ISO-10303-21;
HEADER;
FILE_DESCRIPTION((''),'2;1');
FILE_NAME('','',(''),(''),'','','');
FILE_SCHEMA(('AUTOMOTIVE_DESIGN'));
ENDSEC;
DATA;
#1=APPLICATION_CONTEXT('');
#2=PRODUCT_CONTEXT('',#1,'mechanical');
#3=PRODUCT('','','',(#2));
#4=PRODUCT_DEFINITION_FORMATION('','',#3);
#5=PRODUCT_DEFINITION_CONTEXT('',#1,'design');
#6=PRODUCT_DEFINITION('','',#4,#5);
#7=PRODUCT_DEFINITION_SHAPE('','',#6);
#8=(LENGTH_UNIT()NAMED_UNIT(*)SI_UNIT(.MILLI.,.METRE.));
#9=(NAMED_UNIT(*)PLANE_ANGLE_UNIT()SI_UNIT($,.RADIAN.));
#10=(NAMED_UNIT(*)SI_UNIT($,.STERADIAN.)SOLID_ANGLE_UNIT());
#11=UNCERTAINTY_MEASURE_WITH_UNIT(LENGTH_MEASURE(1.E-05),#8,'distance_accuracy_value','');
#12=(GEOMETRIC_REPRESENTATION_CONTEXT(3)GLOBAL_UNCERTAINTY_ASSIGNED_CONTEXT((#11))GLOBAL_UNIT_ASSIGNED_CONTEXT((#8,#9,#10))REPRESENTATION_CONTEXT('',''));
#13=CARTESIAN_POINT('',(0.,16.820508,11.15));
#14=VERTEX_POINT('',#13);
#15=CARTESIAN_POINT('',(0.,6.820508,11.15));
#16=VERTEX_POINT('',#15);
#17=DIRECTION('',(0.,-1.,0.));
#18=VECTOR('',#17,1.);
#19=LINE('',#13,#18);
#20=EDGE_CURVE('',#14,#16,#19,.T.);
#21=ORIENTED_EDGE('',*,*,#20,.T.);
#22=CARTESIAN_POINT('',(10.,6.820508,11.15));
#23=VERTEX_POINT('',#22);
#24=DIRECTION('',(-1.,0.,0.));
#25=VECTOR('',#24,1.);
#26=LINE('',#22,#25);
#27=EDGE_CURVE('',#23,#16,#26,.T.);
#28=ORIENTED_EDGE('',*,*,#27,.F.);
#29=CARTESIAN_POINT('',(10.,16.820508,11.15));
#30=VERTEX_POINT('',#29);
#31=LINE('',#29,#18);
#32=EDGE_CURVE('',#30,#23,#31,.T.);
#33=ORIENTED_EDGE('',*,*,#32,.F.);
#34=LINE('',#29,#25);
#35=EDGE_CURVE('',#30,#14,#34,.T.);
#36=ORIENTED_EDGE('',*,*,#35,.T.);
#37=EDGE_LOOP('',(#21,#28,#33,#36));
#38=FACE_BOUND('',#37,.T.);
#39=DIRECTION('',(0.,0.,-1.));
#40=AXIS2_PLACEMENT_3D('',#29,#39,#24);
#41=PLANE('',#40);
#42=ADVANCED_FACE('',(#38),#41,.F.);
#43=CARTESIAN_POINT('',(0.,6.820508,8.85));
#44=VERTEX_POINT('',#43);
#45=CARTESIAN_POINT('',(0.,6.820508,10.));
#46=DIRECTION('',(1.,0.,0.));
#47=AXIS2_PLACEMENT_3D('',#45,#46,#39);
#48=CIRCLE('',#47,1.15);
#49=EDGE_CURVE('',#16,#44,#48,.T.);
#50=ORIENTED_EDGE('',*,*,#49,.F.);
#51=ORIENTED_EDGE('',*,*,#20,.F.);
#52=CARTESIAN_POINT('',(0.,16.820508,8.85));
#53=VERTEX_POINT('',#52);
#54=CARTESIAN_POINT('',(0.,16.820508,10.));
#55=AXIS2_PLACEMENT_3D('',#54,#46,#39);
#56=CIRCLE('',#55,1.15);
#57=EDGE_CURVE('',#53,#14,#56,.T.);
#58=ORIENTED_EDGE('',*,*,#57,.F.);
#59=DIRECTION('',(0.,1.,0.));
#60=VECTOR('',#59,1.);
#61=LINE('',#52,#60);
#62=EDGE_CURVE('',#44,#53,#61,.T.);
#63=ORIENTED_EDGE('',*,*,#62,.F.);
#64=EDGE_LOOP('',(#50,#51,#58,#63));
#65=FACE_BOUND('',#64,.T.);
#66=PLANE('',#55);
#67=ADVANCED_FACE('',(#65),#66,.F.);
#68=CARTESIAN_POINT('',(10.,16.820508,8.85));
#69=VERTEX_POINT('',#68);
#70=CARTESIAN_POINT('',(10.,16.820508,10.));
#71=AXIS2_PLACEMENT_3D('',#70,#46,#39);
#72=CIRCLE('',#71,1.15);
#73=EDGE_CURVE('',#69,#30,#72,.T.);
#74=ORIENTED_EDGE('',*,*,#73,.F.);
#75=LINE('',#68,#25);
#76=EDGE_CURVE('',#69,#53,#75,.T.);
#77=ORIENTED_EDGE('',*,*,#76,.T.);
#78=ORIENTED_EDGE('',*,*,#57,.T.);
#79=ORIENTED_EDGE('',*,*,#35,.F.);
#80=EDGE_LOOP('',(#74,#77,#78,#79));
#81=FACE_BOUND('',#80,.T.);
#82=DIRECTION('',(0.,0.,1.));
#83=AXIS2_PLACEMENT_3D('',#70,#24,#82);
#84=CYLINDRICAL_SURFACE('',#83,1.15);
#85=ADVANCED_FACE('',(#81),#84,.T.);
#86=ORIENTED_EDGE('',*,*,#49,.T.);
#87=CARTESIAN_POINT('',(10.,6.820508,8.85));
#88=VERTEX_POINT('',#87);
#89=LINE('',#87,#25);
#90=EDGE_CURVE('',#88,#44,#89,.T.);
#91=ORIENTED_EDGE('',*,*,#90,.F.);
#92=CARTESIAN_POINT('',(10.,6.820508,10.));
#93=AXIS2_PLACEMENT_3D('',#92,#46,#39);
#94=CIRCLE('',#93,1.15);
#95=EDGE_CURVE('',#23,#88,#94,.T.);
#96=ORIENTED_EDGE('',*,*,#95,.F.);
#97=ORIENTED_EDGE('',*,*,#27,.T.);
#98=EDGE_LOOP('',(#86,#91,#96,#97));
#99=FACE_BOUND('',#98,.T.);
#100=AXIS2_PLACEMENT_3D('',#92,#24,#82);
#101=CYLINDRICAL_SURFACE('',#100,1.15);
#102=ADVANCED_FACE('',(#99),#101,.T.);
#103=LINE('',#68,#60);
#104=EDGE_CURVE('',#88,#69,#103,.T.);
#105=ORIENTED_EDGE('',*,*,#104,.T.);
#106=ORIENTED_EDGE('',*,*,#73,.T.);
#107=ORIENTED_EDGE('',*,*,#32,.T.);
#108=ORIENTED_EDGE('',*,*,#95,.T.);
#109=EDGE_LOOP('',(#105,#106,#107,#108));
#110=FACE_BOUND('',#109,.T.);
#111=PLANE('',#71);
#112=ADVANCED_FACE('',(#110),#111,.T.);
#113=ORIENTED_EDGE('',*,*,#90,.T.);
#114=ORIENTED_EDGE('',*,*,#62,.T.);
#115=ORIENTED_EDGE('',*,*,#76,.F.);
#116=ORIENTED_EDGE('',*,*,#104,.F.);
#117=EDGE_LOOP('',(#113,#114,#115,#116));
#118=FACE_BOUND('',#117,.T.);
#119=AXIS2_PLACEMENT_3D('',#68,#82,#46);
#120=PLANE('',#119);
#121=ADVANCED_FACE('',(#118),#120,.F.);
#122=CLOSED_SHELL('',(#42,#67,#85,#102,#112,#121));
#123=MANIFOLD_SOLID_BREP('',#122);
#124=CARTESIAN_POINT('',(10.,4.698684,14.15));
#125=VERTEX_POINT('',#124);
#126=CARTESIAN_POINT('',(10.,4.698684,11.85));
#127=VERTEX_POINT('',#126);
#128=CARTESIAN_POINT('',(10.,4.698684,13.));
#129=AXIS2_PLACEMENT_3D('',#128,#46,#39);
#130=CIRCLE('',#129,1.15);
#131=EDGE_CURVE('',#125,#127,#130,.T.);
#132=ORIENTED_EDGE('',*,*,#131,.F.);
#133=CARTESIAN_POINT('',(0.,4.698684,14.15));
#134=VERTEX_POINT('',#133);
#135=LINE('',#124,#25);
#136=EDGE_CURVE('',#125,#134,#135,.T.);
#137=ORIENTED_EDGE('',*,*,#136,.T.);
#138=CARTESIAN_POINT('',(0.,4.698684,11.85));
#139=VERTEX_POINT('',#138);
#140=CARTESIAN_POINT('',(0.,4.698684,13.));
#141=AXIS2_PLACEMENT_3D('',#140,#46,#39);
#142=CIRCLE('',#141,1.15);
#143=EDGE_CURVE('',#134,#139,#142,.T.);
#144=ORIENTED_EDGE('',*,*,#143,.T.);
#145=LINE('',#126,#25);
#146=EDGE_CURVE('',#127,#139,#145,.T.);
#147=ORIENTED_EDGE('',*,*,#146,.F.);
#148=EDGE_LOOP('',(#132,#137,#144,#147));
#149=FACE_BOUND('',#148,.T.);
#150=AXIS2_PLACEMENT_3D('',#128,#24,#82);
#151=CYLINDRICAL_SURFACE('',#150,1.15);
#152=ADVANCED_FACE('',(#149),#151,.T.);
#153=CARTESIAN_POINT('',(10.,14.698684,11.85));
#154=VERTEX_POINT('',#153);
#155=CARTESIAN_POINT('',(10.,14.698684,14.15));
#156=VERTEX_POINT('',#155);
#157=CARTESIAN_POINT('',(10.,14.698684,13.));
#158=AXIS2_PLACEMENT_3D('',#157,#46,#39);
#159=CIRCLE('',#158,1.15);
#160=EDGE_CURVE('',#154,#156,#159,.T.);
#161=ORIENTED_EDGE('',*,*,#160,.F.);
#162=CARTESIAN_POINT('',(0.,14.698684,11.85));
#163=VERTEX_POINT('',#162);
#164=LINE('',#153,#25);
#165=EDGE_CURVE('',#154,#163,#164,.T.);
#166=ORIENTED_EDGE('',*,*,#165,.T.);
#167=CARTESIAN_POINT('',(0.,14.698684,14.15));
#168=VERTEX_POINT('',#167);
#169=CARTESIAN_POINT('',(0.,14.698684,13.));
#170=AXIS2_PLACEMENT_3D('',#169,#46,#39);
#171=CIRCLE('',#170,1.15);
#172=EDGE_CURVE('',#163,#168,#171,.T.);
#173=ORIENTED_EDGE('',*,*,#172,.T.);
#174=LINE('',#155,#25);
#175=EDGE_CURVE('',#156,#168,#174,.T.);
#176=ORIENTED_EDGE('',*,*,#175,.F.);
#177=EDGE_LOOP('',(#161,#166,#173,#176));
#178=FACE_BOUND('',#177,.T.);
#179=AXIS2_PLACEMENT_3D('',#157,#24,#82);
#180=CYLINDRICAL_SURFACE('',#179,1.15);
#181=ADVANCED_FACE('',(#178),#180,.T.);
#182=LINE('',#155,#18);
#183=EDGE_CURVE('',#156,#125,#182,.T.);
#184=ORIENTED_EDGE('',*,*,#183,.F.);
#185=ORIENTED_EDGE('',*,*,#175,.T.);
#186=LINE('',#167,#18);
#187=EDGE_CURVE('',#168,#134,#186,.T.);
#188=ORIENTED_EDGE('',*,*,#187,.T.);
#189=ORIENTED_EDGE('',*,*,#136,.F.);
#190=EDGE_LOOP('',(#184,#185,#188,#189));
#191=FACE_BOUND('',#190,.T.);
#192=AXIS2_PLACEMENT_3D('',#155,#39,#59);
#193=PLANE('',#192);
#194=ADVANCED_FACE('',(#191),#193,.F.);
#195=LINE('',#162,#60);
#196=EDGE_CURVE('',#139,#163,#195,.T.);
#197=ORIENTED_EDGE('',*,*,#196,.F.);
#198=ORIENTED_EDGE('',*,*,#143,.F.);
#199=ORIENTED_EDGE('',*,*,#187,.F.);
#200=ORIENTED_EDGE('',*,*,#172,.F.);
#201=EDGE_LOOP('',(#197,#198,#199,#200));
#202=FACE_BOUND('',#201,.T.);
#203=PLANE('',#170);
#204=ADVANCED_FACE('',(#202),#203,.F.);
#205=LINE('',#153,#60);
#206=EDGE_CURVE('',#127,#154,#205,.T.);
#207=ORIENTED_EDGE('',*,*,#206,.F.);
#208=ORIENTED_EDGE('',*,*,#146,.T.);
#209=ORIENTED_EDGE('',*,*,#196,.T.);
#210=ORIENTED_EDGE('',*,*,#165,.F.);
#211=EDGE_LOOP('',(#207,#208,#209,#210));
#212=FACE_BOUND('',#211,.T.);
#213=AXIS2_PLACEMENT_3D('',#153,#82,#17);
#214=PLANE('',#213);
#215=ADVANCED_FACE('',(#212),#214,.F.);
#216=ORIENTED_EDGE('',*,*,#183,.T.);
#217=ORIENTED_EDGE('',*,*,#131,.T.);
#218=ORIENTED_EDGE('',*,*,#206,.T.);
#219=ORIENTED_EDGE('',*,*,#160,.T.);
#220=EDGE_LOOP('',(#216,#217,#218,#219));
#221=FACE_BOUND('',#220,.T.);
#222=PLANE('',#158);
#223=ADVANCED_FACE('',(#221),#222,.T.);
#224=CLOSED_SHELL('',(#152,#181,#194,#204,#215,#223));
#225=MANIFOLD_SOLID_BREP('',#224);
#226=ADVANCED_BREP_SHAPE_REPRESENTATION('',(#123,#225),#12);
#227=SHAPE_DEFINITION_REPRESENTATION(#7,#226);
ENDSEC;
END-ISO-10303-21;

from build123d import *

# Parameters (mm, degrees)
EXTRUDE_1_DEPTH   = 10
EXTRUDE_1_2_DEPTH = 10


with BuildPart() as part:
    # 草图1 → 凸台-拉伸1 (new body)
    with BuildSketch(Plane(origin=(0, 0, 0), x_dir=(0, 0, -1), z_dir=(1, 0, 0))):
        with BuildLine():
            Line((-8.85, 16.820508076), (-8.85, 6.820508076))
            ThreePointArc((-8.85, 6.820508076), (-10, 5.670508076), (-11.15, 6.820508076))
            Line((-11.15, 6.820508076), (-11.15, 16.820508076))
            ThreePointArc((-11.15, 16.820508076), (-10, 17.970508076), (-8.85, 16.820508076))
        make_face()
    extrude(amount=EXTRUDE_1_DEPTH)


with BuildPart() as body_2:
    # 草图1 → Extrude 1 2 (new body)
    with BuildSketch(Plane(origin=(0, 0, 0), x_dir=(0, 0, -1), z_dir=(1, 0, 0))):
        with BuildLine():
            Line((-11.85, 14.698684154), (-11.85, 4.698684154))
            ThreePointArc((-11.85, 4.698684154), (-13, 3.548684154), (-14.15, 4.698684154))
            Line((-14.15, 4.698684154), (-14.15, 14.698684154))
            ThreePointArc((-14.15, 14.698684154), (-13, 15.848684154), (-11.85, 14.698684154))
        make_face()
    extrude(amount=EXTRUDE_1_2_DEPTH)


solid = Compound([part.part, body_2.part])
